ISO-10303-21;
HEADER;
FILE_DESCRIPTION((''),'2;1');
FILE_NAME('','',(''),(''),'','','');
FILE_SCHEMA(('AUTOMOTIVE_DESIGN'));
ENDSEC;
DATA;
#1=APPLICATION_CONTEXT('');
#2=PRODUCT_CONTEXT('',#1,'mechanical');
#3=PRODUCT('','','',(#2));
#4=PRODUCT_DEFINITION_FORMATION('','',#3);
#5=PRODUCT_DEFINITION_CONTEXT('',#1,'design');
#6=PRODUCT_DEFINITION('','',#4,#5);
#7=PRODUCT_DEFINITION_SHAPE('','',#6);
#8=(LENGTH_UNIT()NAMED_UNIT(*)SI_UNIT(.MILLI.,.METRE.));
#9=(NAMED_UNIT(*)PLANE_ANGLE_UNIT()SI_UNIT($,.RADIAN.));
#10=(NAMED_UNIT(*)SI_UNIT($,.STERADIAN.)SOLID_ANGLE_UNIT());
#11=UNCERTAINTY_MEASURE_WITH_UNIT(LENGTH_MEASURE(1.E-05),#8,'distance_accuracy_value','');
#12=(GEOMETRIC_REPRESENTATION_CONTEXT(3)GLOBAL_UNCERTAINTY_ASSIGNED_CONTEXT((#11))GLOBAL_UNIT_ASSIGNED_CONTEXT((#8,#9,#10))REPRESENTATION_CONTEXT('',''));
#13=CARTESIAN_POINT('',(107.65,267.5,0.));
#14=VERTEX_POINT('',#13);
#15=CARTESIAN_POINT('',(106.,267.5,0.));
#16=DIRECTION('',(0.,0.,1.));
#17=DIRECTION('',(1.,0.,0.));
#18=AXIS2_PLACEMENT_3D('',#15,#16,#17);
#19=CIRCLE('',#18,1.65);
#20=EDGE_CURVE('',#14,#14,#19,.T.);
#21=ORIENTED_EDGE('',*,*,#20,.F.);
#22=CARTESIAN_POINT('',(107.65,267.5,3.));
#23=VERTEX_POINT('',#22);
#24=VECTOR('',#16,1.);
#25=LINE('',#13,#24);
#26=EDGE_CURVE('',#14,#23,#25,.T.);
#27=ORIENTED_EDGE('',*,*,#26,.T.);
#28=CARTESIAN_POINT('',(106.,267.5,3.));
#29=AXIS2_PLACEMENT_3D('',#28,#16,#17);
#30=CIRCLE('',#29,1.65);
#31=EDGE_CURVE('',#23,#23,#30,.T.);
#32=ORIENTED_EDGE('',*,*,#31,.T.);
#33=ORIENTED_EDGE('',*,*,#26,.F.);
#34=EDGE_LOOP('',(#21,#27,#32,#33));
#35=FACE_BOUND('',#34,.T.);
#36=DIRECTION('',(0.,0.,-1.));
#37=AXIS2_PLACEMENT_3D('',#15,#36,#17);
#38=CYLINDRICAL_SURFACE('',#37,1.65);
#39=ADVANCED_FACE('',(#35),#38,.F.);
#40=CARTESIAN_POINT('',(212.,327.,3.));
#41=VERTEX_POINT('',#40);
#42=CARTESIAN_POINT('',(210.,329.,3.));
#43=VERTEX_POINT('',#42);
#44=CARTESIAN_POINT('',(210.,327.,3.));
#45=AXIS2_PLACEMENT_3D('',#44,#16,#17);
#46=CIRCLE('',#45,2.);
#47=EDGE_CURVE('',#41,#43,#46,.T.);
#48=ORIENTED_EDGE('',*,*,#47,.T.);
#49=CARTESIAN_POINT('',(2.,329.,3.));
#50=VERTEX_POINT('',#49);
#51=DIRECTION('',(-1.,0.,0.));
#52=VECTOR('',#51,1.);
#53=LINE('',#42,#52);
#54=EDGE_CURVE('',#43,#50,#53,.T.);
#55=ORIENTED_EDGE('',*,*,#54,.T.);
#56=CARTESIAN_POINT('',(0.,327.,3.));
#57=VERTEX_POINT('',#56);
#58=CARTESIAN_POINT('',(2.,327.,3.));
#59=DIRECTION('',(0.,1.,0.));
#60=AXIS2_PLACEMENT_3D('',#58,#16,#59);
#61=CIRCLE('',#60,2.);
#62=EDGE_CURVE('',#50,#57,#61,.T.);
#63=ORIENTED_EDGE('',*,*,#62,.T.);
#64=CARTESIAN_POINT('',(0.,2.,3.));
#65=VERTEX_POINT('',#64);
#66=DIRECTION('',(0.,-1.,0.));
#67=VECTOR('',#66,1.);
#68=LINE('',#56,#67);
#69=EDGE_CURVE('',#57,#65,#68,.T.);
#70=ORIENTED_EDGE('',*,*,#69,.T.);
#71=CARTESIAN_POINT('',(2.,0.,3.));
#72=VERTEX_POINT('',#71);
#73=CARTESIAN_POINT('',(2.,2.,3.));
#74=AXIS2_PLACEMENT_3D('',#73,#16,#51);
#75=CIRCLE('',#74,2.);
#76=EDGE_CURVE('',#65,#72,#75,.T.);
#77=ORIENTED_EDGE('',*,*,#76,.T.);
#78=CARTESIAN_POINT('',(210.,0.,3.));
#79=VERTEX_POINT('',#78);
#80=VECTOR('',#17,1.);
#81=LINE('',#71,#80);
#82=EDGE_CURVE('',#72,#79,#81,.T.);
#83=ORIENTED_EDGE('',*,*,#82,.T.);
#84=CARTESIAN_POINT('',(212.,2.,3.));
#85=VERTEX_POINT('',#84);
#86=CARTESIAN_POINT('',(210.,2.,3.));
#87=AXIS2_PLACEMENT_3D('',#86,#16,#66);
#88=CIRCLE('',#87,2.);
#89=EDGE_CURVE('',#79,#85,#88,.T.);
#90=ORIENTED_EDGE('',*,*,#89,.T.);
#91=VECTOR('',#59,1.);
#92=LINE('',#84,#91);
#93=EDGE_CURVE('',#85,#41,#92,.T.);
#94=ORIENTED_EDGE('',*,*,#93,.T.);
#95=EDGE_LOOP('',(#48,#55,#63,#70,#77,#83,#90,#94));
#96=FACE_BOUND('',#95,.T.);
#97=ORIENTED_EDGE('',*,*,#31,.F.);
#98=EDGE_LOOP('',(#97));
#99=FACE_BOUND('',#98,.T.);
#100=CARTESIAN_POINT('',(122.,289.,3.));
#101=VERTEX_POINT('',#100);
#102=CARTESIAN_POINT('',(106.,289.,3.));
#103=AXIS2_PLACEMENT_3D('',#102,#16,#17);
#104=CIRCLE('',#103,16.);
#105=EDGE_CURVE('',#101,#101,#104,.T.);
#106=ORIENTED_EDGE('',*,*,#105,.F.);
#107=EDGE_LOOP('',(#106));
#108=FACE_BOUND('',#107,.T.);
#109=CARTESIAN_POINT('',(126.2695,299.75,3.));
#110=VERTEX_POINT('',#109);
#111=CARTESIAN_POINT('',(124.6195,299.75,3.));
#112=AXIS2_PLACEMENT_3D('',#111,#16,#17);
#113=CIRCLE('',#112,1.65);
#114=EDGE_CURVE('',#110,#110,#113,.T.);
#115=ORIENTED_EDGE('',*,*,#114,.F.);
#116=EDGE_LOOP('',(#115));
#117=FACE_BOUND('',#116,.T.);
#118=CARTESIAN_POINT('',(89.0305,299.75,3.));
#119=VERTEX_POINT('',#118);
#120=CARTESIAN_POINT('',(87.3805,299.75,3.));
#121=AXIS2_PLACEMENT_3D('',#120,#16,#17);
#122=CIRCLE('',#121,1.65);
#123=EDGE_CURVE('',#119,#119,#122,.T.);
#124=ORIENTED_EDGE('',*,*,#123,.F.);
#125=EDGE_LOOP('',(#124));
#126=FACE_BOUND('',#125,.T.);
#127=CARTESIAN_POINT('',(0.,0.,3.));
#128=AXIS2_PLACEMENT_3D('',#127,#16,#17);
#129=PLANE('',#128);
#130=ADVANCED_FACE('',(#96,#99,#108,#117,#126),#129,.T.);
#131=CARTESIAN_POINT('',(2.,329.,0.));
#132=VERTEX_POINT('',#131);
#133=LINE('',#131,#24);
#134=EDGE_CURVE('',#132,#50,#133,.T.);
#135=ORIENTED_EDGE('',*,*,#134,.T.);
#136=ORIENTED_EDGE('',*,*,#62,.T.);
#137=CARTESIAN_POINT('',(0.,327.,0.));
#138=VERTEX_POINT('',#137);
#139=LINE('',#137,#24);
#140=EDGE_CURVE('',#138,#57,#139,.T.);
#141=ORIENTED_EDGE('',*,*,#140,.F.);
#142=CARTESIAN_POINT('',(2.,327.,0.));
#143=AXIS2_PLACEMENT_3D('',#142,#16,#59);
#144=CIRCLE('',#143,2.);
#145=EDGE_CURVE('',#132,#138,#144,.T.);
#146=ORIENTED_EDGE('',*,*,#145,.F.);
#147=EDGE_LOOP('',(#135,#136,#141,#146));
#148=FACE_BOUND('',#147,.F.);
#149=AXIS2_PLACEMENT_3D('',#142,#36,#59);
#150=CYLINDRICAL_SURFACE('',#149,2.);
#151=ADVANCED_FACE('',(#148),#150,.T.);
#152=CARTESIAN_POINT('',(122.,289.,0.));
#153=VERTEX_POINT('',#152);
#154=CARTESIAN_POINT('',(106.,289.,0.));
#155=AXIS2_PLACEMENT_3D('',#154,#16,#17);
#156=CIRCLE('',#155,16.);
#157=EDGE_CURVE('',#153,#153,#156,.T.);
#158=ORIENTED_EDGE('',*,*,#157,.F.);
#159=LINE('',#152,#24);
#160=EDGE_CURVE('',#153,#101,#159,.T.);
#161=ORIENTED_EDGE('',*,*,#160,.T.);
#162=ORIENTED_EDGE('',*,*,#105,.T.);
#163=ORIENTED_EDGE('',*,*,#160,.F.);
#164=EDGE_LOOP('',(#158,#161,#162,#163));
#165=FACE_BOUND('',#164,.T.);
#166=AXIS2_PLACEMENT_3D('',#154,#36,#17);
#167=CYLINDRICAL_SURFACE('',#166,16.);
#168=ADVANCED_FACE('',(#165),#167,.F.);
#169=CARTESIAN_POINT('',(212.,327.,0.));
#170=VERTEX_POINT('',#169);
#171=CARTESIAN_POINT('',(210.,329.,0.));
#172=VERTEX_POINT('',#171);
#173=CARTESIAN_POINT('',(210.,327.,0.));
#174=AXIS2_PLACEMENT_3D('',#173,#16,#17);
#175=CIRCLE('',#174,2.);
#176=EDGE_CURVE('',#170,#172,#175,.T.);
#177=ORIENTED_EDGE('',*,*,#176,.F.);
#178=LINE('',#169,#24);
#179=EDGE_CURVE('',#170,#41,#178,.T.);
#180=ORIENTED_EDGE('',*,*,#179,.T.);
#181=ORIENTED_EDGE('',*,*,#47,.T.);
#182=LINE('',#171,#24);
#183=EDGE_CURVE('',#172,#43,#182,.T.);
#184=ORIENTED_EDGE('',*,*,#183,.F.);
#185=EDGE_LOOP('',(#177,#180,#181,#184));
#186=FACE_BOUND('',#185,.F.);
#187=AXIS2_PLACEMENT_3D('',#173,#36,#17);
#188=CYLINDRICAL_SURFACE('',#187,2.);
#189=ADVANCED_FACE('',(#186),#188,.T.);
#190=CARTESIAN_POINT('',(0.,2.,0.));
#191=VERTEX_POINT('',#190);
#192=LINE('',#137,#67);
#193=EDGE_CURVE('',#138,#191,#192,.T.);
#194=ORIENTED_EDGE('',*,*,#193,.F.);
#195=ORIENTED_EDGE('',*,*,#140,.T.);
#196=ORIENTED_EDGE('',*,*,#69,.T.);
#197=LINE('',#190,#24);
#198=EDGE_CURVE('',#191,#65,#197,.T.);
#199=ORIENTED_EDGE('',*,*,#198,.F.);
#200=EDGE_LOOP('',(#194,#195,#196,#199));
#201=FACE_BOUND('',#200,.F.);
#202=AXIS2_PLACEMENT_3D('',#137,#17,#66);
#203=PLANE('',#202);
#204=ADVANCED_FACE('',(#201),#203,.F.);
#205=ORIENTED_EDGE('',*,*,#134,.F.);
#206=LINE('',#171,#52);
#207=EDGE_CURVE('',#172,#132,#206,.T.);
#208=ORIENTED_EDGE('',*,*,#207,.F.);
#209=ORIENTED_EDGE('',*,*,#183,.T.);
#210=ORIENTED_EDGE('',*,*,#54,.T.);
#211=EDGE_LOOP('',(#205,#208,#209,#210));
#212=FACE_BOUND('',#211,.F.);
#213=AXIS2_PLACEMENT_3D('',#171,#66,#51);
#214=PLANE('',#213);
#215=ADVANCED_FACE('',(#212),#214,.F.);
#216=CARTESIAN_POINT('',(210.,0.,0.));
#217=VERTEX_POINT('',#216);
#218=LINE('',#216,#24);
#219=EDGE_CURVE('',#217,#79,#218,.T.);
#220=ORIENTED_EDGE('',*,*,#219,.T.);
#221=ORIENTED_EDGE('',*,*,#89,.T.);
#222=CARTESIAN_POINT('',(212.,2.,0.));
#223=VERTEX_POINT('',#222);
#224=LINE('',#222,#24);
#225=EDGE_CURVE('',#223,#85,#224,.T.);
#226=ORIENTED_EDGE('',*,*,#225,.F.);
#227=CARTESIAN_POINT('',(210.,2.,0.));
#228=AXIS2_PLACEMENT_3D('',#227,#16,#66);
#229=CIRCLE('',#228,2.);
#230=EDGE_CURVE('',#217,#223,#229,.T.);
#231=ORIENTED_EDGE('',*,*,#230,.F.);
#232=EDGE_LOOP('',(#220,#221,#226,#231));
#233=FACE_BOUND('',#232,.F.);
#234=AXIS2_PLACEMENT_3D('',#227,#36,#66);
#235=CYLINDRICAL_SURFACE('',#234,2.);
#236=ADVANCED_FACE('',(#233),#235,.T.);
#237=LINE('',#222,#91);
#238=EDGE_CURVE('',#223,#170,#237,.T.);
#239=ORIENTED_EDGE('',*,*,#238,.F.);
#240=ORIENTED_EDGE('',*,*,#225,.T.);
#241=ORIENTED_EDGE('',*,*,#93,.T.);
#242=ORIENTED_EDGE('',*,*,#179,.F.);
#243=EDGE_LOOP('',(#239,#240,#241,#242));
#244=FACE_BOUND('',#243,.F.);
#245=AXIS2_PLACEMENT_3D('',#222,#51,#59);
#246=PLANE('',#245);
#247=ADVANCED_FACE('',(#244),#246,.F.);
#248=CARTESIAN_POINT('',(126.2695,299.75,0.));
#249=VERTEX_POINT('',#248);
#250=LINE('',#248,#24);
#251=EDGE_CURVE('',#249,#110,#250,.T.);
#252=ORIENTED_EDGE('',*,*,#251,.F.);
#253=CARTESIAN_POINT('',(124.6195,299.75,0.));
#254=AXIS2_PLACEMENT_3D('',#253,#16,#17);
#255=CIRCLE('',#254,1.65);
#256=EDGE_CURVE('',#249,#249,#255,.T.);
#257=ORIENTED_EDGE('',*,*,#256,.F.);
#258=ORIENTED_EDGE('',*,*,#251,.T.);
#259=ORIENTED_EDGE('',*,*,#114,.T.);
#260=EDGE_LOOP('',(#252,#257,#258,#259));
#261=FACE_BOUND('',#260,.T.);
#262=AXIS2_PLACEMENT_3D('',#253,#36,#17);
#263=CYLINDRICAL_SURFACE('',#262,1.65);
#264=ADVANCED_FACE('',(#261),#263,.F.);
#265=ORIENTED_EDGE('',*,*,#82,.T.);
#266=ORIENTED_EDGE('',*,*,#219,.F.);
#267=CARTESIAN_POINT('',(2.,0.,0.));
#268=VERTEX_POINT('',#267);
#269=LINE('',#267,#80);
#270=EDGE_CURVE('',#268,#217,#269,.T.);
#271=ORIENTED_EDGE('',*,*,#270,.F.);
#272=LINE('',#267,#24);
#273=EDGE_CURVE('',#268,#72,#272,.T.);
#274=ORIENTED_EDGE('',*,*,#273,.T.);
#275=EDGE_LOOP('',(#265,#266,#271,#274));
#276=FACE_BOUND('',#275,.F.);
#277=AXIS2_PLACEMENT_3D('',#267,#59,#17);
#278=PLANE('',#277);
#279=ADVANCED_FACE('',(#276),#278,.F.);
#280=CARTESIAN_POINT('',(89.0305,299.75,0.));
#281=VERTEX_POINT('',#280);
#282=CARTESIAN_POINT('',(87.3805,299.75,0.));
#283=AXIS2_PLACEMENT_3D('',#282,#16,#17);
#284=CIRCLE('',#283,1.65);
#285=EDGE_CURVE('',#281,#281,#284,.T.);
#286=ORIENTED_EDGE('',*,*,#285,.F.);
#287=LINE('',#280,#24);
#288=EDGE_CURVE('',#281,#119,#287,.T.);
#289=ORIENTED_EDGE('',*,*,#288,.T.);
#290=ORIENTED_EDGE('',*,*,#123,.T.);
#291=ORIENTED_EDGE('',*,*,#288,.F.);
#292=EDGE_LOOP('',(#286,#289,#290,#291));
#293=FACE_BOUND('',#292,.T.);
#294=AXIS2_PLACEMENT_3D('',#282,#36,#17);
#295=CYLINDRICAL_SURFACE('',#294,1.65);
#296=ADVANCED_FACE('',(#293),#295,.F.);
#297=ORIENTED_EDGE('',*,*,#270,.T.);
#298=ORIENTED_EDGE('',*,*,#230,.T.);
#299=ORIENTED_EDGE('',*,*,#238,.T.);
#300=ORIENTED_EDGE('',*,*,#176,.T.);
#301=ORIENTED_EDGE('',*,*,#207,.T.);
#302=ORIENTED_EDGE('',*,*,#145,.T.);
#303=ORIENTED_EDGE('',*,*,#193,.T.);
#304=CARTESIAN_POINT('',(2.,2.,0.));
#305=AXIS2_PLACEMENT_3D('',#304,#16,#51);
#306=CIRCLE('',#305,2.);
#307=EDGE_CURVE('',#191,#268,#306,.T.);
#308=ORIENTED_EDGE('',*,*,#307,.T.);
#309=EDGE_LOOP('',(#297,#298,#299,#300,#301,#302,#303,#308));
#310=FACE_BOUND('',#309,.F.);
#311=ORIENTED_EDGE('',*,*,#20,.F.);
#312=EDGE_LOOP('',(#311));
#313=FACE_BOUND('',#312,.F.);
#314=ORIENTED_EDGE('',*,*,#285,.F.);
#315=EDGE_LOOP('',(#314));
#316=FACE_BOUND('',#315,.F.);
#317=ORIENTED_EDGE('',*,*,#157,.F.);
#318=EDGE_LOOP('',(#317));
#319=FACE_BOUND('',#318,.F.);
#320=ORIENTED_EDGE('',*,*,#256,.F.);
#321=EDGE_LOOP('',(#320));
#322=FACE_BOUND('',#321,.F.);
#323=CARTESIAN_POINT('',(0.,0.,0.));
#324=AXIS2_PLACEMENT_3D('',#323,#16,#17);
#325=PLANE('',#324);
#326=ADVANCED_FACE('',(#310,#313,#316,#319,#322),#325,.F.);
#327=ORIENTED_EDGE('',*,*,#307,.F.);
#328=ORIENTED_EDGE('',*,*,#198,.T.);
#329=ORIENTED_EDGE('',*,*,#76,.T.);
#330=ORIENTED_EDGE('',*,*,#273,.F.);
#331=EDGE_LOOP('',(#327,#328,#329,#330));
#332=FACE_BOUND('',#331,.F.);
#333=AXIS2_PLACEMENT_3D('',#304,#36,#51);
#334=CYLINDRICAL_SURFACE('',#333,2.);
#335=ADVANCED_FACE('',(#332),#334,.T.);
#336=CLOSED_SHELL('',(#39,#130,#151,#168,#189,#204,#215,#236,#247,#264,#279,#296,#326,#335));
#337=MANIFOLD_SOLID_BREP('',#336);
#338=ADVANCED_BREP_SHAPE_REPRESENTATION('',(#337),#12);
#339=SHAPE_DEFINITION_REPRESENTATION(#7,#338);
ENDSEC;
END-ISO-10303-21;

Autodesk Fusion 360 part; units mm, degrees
sketch "Sketch1" plane through (0, 0, 0) normal (0, 0, 1) x (1, 0, 0)
  line L0 (2, 0) -> (210, 0)
  line L1 (212, 2) -> (212, 327)
  line L2 (210, 329) -> (2, 329)
  line L3 (0, 327) -> (0, 2)
  arc A0 (2, 329) -> (0, 327) centre (2, 327) ccw
  arc A1 (212, 327) -> (210, 329) centre (210, 327) ccw
  arc A2 (210, 0) -> (212, 2) centre (210, 2) ccw
  arc A3 (0, 2) -> (2, 0) centre (2, 2) ccw
  point P0 (212, 0)
  point P1 (0, 329)
  dimension "d1" = 212
  dimension "d2" = 329
  dimension "d3" = 2
sketch "Sketch2" plane through (0, 0, 0) normal (0, 0, 1) x (1, 0, 0)
  circle A0 centre (106, 289) radius 16
  line L0 (210, 329) -> (2, 329)
  line L1 (106, 329) -> (106, 0) construction
  circle A1 centre (106, 267.5) radius 1.65
  circle A2 centre (124.6195, 299.75) radius 1.65
  circle A3 centre (87.3805, 299.75) radius 1.65
  dimension "d4" = 32
  dimension "d5" = 40
  dimension "d6" = 3.3
  dimension "d7" = 21.5
  dimension "d9" = 360
extrude "Extrude1" add sketch "Sketch1" along normal blind 3
extrude "Extrude2" cut sketch "Sketch2" along normal blind 3
sketch "Sketch3" plane through (0, 0, 3) normal (0, 0, 1) x (-1, 0, 0)
  circle A0 centre (-87.3805, -299.75) radius 1.65
  circle A1 centre (-106, -267.5) radius 1.65
  circle A2 centre (-106, -289) radius 16
  circle A3 centre (-124.6195, -299.75) radius 1.65
  arc A4 (0, -2) -> (-2, 0) centre (-2, -2) ccw
  line L0 (-2, 0) -> (-210, 0)
  arc A5 (-210, 0) -> (-212, -2) centre (-210, -2) ccw
  line L1 (-212, -2) -> (-212, -327)
  arc A6 (-212, -327) -> (-210, -329) centre (-210, -327) ccw
  line L2 (-210, -329) -> (-2, -329)
  arc A7 (-2, -329) -> (0, -327) centre (-2, -327) ccw
  line L3 (0, -327) -> (0, -2)
equation "d7 = 3.85 mm + ( 3.3 / 2 ) * 1 mm + ( 32 / 2 ) * 1 mm"
